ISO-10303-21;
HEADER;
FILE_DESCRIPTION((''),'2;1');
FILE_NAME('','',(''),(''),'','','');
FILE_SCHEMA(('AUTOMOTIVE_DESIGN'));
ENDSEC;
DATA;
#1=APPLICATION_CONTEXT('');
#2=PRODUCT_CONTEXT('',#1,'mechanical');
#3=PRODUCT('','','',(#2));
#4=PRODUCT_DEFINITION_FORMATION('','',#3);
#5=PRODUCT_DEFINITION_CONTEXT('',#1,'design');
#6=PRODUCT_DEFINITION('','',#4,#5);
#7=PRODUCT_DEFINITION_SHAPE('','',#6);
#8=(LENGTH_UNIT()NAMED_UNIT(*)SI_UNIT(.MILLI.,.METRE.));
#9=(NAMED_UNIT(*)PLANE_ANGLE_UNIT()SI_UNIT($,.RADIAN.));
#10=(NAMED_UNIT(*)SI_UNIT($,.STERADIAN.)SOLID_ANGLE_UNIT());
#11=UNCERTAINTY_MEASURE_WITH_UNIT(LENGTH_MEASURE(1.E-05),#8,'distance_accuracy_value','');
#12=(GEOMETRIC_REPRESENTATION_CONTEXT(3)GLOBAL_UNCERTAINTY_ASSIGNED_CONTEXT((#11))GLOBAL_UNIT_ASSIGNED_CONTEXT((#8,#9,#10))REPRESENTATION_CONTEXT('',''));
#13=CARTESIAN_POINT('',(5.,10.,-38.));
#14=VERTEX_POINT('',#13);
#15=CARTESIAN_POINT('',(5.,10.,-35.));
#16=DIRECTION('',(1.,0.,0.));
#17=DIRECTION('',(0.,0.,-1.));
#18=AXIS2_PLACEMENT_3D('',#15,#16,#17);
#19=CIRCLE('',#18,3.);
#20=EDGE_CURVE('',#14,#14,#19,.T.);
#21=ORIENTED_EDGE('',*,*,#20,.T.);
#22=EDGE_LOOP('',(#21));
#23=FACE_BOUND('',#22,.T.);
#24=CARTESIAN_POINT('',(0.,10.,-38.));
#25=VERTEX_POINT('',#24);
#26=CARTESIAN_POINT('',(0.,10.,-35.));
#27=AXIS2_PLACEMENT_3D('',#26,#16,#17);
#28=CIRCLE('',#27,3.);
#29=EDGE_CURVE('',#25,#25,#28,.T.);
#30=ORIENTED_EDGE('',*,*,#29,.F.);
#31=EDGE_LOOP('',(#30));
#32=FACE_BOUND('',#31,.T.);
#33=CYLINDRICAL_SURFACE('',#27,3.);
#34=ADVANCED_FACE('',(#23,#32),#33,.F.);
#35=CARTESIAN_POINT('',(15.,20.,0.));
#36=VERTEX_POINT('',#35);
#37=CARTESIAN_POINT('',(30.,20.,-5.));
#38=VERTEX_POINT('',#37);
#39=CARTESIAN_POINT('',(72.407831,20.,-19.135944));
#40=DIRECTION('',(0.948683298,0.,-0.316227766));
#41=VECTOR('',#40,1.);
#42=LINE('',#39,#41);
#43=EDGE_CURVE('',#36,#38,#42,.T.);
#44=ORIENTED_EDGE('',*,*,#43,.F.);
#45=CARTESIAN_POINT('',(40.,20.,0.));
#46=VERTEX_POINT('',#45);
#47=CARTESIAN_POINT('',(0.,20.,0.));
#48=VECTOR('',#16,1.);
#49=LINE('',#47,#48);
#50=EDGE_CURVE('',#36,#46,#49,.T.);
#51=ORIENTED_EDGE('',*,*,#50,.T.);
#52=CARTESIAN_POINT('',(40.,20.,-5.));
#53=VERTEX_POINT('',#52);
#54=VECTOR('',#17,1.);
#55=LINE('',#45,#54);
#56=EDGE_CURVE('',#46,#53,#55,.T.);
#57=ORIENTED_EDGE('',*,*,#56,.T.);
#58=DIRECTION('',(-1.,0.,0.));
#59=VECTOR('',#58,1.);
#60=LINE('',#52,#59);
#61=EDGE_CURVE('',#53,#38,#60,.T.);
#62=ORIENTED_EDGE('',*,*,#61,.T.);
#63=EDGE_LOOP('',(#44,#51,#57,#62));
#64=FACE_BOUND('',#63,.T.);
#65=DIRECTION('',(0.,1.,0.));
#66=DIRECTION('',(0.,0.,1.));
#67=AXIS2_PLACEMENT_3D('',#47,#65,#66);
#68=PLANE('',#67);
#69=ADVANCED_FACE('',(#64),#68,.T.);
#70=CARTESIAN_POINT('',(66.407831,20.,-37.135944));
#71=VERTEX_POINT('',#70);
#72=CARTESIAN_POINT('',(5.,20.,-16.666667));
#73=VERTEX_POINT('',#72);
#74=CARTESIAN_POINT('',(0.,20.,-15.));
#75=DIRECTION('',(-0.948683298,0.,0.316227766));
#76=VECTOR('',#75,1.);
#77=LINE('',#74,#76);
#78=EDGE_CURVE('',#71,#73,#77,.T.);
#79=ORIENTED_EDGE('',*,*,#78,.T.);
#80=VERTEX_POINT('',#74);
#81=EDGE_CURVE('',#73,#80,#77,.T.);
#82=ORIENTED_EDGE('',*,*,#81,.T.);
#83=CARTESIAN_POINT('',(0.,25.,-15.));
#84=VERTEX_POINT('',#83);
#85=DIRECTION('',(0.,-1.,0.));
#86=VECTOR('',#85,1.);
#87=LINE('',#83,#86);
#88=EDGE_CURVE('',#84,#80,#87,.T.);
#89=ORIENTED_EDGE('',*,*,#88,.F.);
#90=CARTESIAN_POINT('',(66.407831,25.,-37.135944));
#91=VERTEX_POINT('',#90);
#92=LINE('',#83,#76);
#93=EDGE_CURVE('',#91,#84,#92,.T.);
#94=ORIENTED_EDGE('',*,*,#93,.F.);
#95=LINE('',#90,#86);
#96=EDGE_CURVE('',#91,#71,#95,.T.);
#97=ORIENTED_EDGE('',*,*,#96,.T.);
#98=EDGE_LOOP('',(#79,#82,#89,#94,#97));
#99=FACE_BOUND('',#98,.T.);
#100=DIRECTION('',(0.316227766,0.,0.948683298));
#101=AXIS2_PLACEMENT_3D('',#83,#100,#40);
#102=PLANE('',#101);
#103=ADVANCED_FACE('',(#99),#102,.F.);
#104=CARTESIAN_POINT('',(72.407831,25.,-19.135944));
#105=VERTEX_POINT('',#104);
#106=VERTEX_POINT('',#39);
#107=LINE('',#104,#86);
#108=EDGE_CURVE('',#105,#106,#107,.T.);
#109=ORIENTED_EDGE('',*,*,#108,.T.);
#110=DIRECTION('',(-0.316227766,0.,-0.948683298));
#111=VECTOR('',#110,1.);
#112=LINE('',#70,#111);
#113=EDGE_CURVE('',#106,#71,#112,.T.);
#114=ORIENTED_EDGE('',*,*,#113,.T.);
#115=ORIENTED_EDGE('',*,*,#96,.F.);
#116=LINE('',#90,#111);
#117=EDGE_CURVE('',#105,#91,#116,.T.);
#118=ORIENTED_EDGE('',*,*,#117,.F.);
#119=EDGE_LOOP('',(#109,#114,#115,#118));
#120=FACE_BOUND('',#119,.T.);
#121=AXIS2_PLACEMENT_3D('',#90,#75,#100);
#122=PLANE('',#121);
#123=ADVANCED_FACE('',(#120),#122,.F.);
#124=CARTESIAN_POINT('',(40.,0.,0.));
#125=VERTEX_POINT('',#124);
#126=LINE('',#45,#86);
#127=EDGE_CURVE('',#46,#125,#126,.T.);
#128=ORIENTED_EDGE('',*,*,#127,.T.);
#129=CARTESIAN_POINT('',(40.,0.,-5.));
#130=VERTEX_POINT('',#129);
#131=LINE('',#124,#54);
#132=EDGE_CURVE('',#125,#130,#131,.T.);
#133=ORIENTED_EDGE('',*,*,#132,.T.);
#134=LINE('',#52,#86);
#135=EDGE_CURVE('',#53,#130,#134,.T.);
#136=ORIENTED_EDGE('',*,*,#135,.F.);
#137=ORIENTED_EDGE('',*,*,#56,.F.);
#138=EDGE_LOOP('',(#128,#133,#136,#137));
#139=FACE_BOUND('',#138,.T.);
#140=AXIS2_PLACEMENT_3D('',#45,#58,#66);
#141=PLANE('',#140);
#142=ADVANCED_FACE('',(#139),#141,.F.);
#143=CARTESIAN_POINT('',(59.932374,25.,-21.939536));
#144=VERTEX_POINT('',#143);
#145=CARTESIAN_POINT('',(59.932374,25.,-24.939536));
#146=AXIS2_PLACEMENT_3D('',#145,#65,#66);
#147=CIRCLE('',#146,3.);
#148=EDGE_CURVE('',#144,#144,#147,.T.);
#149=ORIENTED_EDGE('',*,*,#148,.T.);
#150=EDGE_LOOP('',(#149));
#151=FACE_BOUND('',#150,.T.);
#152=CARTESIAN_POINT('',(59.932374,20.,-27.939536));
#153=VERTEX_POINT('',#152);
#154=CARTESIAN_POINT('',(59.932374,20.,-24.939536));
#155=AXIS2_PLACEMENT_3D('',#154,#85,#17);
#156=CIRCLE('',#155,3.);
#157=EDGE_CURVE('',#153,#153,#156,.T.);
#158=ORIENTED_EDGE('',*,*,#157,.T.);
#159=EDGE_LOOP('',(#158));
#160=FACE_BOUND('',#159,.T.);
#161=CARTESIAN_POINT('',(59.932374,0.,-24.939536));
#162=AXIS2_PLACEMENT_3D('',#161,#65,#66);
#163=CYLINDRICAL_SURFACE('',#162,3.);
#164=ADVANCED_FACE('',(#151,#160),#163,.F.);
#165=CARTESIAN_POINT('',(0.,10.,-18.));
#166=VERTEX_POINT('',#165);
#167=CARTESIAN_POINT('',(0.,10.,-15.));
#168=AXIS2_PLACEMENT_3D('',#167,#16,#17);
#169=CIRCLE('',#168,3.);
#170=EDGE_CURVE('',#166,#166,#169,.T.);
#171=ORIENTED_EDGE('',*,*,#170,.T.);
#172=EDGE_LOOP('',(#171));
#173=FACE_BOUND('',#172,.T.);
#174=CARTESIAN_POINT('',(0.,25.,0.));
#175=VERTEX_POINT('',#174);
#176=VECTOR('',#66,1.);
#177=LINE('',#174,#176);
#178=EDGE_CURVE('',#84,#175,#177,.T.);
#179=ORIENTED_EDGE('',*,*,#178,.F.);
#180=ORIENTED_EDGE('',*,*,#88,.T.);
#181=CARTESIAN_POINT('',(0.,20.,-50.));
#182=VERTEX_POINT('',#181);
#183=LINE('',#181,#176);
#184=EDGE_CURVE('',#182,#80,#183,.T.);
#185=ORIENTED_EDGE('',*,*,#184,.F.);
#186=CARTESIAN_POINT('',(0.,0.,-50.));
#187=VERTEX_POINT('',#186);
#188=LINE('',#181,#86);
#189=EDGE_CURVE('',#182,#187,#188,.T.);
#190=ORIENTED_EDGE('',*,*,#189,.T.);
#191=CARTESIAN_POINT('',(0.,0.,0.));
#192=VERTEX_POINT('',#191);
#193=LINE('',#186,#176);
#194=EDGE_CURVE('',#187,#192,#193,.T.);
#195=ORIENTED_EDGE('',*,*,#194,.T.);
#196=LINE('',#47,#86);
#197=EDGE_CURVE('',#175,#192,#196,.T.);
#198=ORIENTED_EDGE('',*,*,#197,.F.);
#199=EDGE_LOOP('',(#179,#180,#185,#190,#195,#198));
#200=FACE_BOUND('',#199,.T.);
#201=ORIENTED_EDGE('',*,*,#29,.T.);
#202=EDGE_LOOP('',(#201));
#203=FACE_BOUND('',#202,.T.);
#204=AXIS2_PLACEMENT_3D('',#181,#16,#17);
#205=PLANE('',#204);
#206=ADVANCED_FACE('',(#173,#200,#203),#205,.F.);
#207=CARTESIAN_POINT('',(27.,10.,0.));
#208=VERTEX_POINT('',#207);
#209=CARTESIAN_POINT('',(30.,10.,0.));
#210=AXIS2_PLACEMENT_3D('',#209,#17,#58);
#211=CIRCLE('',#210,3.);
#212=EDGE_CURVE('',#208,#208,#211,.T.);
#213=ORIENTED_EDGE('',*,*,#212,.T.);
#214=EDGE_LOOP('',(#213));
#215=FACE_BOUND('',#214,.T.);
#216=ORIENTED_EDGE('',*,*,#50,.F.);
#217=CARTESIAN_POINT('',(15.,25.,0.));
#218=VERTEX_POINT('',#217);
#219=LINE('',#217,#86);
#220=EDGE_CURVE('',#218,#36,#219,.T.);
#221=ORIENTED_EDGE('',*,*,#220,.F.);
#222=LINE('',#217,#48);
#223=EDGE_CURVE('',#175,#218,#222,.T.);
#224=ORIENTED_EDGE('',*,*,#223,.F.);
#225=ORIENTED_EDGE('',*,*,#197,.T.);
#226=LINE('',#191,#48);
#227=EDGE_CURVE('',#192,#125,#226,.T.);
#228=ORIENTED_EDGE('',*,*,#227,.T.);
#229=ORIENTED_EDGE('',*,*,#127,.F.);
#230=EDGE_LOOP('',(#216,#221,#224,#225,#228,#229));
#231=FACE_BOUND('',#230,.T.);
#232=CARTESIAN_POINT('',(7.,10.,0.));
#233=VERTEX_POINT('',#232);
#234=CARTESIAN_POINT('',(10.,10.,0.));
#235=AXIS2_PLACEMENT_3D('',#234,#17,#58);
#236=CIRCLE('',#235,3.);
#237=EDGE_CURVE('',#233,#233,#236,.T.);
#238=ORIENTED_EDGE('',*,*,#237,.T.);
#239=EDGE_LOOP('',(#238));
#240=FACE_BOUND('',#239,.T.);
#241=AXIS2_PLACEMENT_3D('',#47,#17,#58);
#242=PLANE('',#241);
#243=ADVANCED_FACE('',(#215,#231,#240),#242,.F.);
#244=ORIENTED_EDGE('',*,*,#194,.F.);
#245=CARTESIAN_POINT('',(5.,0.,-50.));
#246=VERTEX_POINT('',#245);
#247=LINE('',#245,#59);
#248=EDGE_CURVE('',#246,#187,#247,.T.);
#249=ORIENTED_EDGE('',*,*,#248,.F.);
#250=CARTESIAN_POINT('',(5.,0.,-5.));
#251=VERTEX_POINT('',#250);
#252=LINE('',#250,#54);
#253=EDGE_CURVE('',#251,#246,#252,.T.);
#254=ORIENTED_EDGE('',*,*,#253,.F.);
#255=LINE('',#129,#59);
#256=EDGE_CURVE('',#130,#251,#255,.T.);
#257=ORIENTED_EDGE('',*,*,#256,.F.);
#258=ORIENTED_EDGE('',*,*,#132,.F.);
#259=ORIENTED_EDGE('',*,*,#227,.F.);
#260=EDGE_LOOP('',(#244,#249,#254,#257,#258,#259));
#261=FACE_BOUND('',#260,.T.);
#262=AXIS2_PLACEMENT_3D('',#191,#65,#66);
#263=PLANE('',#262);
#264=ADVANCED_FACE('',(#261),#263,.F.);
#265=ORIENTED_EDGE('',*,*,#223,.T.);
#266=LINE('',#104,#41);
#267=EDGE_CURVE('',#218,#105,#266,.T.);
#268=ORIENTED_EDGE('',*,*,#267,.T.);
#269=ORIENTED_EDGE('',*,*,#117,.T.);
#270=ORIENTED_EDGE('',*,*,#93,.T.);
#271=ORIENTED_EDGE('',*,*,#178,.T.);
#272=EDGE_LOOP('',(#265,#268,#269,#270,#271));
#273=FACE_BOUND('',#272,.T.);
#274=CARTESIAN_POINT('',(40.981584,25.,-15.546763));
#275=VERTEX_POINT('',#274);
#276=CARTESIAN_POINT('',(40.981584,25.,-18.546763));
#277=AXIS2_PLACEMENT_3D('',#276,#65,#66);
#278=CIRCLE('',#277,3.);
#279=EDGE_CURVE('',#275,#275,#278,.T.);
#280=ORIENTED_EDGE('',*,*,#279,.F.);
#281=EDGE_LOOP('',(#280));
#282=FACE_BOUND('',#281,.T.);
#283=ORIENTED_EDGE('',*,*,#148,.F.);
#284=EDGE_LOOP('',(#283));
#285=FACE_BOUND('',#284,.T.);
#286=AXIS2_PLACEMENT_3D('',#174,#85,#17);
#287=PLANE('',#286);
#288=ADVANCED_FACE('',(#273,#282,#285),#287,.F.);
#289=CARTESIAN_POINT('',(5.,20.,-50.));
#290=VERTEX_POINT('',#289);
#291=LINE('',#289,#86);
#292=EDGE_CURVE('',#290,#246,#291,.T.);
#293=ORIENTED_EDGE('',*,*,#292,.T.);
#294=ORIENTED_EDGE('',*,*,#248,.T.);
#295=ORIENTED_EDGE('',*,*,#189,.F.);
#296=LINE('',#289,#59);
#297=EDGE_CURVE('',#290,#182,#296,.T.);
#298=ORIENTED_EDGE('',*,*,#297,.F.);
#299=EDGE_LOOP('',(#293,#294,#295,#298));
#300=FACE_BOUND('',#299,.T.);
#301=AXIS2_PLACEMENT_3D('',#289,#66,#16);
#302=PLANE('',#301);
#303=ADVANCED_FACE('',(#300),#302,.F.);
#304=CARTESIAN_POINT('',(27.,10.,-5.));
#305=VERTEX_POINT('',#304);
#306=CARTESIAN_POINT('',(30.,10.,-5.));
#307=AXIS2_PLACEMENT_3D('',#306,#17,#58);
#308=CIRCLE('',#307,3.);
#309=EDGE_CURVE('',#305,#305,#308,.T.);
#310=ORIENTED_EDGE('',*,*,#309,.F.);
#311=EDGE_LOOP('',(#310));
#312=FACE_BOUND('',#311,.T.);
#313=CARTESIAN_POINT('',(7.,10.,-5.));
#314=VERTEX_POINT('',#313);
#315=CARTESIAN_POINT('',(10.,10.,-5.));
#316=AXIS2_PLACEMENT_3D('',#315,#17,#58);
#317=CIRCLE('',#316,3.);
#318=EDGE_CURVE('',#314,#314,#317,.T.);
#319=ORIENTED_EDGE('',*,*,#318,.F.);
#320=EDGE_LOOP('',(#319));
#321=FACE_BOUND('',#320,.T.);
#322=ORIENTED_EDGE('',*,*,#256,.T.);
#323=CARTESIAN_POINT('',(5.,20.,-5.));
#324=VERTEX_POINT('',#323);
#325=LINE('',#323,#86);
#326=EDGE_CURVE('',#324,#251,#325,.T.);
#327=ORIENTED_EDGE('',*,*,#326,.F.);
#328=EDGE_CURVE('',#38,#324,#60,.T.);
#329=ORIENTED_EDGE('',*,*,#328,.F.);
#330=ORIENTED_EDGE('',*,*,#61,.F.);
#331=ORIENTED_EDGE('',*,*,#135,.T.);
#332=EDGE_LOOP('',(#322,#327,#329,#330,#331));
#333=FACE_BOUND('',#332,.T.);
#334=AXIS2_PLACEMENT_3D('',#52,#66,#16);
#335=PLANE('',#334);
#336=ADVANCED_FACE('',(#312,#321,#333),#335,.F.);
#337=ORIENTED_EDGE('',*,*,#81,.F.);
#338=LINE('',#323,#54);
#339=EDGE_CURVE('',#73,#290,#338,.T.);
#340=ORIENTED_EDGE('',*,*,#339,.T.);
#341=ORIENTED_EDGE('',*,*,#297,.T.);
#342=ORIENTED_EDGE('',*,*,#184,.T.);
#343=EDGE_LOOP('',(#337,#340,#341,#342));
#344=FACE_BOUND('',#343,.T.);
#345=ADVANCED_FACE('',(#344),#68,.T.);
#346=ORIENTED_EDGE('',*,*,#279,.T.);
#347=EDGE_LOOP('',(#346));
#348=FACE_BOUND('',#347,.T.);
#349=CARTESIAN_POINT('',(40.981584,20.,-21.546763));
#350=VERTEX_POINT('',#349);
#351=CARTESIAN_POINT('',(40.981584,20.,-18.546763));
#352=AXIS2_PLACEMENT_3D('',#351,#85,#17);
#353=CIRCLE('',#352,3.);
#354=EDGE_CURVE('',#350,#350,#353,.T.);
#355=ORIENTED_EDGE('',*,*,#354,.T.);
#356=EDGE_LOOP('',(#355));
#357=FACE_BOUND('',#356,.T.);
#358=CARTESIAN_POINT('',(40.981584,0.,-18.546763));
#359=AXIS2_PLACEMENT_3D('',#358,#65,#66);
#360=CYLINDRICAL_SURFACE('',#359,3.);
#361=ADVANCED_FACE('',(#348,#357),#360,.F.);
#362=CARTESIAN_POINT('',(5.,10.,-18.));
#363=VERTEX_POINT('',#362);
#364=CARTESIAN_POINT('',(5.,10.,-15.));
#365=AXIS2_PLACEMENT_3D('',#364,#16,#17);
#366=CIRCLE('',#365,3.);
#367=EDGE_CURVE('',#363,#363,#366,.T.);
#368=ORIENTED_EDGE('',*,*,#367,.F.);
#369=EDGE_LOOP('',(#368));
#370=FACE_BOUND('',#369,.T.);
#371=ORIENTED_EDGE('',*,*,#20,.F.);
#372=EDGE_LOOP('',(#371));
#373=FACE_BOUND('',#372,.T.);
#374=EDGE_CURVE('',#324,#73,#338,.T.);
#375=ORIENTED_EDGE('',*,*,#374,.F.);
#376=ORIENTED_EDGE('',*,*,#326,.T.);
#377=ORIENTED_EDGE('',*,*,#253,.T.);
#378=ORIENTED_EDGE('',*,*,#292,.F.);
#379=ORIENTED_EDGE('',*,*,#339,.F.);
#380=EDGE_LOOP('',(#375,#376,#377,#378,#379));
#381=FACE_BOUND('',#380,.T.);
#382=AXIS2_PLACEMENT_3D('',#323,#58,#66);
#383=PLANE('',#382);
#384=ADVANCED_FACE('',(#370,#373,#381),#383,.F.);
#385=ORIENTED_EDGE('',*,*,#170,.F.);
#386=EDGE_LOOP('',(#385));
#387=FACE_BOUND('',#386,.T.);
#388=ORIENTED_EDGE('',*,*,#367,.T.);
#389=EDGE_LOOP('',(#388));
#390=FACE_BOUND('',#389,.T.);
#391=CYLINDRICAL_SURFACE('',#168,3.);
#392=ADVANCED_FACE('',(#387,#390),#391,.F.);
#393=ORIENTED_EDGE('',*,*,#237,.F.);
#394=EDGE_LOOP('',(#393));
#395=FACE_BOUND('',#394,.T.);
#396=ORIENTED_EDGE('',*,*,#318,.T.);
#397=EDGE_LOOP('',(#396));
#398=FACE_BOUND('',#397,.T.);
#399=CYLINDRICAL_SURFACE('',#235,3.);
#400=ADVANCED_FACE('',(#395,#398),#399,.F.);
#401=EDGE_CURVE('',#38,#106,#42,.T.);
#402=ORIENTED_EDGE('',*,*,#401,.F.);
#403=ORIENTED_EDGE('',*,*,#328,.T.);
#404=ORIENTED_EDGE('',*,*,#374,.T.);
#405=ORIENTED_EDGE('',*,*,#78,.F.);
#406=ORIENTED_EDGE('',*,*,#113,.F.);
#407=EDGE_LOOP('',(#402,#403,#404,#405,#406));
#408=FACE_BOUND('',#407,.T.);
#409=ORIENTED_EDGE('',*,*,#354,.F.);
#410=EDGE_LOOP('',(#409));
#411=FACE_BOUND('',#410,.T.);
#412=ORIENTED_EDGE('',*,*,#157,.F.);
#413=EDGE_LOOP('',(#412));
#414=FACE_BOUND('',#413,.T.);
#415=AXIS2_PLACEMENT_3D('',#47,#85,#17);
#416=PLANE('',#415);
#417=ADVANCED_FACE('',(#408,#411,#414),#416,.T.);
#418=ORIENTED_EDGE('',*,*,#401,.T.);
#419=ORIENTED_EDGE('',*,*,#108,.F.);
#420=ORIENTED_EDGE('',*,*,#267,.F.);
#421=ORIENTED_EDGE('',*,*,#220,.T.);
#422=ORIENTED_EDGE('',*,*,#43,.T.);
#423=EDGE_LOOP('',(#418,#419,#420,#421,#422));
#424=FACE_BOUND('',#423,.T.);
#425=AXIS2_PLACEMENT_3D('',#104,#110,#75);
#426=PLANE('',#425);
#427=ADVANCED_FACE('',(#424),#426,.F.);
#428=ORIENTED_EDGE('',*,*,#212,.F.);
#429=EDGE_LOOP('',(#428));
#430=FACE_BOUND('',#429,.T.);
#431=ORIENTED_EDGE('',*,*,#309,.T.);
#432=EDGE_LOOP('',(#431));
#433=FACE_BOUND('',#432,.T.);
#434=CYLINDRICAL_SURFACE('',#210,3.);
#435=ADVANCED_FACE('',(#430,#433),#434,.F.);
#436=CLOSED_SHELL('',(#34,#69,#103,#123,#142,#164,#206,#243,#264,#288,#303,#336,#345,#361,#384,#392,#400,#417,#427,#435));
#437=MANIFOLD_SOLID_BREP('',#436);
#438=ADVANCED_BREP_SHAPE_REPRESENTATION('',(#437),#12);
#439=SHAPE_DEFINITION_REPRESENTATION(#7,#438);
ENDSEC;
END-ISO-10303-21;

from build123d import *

# Parameters (mm, degrees)
BOSS_EXTRUDE1_DEPTH = 20
BOSS_EXTRUDE5_DEPTH = 5
SKETCH12_R          = 3
CUT_EXTRUDE7_DEPTH  = 89.84196064
SKETCH13_R          = 3
CUT_EXTRUDE8_DEPTH  = 88.571774344
SKETCH14_R          = 3
CUT_EXTRUDE9_DEPTH  = 92.476193463


with BuildPart() as part:
    # Sketch1 → Boss-Extrude1 (new body)
    with BuildSketch(Plane(origin=(0, 0, 0), x_dir=(1, 0, 0), z_dir=(0, 1, 0))):
        Polygon((0, 50), (0, 0), (40, 0), (40, 5), (5, 5), (5, 50), align=None)
    extrude(amount=BOSS_EXTRUDE1_DEPTH)

    # Sketch11 → Boss-Extrude5 (add)
    with BuildSketch(Plane(origin=(0, 20, 0), x_dir=(1, 0, 0), z_dir=(0, 1, 0))):
        Polygon((0, 0), (0, 15), (66.407830872, 37.135943595), (72.407830864, 19.135943596), (15, 0), align=None)
    extrude(amount=BOSS_EXTRUDE5_DEPTH)

    # Sketch12 → Cut-Extrude7 (cut, through all)
    with BuildSketch(Plane(origin=(0, 0, -5), x_dir=(-1, 0, 0), z_dir=(0, 0, -1))):
        with Locations((-10, 10)):
            Circle(SKETCH12_R)
        with Locations((-30, 10)):
            Circle(SKETCH12_R)
    extrude(amount=-CUT_EXTRUDE7_DEPTH, mode=Mode.SUBTRACT)

    # Sketch13 → Cut-Extrude8 (cut, through all)
    with BuildSketch(Plane(origin=(5, 0, 0), x_dir=(0, 0, -1), z_dir=(1, 0, 0))):
        with Locations((15, 10)):
            Circle(SKETCH13_R)
        with Locations((35, 10)):
            Circle(SKETCH13_R)
    extrude(amount=-CUT_EXTRUDE8_DEPTH, mode=Mode.SUBTRACT)

    # Sketch14 → Cut-Extrude9 (cut, through all)
    with BuildSketch(Plane(origin=(0, 25, 0), x_dir=(1, 0, 0), z_dir=(0, 1, 0))):
        with Locations((59.932374432, 24.939536301)):
            Circle(SKETCH14_R)
        with Locations((40.981584196, 18.546763083)):
            Circle(SKETCH14_R)
    extrude(amount=-CUT_EXTRUDE9_DEPTH, mode=Mode.SUBTRACT)


solid = part.part
